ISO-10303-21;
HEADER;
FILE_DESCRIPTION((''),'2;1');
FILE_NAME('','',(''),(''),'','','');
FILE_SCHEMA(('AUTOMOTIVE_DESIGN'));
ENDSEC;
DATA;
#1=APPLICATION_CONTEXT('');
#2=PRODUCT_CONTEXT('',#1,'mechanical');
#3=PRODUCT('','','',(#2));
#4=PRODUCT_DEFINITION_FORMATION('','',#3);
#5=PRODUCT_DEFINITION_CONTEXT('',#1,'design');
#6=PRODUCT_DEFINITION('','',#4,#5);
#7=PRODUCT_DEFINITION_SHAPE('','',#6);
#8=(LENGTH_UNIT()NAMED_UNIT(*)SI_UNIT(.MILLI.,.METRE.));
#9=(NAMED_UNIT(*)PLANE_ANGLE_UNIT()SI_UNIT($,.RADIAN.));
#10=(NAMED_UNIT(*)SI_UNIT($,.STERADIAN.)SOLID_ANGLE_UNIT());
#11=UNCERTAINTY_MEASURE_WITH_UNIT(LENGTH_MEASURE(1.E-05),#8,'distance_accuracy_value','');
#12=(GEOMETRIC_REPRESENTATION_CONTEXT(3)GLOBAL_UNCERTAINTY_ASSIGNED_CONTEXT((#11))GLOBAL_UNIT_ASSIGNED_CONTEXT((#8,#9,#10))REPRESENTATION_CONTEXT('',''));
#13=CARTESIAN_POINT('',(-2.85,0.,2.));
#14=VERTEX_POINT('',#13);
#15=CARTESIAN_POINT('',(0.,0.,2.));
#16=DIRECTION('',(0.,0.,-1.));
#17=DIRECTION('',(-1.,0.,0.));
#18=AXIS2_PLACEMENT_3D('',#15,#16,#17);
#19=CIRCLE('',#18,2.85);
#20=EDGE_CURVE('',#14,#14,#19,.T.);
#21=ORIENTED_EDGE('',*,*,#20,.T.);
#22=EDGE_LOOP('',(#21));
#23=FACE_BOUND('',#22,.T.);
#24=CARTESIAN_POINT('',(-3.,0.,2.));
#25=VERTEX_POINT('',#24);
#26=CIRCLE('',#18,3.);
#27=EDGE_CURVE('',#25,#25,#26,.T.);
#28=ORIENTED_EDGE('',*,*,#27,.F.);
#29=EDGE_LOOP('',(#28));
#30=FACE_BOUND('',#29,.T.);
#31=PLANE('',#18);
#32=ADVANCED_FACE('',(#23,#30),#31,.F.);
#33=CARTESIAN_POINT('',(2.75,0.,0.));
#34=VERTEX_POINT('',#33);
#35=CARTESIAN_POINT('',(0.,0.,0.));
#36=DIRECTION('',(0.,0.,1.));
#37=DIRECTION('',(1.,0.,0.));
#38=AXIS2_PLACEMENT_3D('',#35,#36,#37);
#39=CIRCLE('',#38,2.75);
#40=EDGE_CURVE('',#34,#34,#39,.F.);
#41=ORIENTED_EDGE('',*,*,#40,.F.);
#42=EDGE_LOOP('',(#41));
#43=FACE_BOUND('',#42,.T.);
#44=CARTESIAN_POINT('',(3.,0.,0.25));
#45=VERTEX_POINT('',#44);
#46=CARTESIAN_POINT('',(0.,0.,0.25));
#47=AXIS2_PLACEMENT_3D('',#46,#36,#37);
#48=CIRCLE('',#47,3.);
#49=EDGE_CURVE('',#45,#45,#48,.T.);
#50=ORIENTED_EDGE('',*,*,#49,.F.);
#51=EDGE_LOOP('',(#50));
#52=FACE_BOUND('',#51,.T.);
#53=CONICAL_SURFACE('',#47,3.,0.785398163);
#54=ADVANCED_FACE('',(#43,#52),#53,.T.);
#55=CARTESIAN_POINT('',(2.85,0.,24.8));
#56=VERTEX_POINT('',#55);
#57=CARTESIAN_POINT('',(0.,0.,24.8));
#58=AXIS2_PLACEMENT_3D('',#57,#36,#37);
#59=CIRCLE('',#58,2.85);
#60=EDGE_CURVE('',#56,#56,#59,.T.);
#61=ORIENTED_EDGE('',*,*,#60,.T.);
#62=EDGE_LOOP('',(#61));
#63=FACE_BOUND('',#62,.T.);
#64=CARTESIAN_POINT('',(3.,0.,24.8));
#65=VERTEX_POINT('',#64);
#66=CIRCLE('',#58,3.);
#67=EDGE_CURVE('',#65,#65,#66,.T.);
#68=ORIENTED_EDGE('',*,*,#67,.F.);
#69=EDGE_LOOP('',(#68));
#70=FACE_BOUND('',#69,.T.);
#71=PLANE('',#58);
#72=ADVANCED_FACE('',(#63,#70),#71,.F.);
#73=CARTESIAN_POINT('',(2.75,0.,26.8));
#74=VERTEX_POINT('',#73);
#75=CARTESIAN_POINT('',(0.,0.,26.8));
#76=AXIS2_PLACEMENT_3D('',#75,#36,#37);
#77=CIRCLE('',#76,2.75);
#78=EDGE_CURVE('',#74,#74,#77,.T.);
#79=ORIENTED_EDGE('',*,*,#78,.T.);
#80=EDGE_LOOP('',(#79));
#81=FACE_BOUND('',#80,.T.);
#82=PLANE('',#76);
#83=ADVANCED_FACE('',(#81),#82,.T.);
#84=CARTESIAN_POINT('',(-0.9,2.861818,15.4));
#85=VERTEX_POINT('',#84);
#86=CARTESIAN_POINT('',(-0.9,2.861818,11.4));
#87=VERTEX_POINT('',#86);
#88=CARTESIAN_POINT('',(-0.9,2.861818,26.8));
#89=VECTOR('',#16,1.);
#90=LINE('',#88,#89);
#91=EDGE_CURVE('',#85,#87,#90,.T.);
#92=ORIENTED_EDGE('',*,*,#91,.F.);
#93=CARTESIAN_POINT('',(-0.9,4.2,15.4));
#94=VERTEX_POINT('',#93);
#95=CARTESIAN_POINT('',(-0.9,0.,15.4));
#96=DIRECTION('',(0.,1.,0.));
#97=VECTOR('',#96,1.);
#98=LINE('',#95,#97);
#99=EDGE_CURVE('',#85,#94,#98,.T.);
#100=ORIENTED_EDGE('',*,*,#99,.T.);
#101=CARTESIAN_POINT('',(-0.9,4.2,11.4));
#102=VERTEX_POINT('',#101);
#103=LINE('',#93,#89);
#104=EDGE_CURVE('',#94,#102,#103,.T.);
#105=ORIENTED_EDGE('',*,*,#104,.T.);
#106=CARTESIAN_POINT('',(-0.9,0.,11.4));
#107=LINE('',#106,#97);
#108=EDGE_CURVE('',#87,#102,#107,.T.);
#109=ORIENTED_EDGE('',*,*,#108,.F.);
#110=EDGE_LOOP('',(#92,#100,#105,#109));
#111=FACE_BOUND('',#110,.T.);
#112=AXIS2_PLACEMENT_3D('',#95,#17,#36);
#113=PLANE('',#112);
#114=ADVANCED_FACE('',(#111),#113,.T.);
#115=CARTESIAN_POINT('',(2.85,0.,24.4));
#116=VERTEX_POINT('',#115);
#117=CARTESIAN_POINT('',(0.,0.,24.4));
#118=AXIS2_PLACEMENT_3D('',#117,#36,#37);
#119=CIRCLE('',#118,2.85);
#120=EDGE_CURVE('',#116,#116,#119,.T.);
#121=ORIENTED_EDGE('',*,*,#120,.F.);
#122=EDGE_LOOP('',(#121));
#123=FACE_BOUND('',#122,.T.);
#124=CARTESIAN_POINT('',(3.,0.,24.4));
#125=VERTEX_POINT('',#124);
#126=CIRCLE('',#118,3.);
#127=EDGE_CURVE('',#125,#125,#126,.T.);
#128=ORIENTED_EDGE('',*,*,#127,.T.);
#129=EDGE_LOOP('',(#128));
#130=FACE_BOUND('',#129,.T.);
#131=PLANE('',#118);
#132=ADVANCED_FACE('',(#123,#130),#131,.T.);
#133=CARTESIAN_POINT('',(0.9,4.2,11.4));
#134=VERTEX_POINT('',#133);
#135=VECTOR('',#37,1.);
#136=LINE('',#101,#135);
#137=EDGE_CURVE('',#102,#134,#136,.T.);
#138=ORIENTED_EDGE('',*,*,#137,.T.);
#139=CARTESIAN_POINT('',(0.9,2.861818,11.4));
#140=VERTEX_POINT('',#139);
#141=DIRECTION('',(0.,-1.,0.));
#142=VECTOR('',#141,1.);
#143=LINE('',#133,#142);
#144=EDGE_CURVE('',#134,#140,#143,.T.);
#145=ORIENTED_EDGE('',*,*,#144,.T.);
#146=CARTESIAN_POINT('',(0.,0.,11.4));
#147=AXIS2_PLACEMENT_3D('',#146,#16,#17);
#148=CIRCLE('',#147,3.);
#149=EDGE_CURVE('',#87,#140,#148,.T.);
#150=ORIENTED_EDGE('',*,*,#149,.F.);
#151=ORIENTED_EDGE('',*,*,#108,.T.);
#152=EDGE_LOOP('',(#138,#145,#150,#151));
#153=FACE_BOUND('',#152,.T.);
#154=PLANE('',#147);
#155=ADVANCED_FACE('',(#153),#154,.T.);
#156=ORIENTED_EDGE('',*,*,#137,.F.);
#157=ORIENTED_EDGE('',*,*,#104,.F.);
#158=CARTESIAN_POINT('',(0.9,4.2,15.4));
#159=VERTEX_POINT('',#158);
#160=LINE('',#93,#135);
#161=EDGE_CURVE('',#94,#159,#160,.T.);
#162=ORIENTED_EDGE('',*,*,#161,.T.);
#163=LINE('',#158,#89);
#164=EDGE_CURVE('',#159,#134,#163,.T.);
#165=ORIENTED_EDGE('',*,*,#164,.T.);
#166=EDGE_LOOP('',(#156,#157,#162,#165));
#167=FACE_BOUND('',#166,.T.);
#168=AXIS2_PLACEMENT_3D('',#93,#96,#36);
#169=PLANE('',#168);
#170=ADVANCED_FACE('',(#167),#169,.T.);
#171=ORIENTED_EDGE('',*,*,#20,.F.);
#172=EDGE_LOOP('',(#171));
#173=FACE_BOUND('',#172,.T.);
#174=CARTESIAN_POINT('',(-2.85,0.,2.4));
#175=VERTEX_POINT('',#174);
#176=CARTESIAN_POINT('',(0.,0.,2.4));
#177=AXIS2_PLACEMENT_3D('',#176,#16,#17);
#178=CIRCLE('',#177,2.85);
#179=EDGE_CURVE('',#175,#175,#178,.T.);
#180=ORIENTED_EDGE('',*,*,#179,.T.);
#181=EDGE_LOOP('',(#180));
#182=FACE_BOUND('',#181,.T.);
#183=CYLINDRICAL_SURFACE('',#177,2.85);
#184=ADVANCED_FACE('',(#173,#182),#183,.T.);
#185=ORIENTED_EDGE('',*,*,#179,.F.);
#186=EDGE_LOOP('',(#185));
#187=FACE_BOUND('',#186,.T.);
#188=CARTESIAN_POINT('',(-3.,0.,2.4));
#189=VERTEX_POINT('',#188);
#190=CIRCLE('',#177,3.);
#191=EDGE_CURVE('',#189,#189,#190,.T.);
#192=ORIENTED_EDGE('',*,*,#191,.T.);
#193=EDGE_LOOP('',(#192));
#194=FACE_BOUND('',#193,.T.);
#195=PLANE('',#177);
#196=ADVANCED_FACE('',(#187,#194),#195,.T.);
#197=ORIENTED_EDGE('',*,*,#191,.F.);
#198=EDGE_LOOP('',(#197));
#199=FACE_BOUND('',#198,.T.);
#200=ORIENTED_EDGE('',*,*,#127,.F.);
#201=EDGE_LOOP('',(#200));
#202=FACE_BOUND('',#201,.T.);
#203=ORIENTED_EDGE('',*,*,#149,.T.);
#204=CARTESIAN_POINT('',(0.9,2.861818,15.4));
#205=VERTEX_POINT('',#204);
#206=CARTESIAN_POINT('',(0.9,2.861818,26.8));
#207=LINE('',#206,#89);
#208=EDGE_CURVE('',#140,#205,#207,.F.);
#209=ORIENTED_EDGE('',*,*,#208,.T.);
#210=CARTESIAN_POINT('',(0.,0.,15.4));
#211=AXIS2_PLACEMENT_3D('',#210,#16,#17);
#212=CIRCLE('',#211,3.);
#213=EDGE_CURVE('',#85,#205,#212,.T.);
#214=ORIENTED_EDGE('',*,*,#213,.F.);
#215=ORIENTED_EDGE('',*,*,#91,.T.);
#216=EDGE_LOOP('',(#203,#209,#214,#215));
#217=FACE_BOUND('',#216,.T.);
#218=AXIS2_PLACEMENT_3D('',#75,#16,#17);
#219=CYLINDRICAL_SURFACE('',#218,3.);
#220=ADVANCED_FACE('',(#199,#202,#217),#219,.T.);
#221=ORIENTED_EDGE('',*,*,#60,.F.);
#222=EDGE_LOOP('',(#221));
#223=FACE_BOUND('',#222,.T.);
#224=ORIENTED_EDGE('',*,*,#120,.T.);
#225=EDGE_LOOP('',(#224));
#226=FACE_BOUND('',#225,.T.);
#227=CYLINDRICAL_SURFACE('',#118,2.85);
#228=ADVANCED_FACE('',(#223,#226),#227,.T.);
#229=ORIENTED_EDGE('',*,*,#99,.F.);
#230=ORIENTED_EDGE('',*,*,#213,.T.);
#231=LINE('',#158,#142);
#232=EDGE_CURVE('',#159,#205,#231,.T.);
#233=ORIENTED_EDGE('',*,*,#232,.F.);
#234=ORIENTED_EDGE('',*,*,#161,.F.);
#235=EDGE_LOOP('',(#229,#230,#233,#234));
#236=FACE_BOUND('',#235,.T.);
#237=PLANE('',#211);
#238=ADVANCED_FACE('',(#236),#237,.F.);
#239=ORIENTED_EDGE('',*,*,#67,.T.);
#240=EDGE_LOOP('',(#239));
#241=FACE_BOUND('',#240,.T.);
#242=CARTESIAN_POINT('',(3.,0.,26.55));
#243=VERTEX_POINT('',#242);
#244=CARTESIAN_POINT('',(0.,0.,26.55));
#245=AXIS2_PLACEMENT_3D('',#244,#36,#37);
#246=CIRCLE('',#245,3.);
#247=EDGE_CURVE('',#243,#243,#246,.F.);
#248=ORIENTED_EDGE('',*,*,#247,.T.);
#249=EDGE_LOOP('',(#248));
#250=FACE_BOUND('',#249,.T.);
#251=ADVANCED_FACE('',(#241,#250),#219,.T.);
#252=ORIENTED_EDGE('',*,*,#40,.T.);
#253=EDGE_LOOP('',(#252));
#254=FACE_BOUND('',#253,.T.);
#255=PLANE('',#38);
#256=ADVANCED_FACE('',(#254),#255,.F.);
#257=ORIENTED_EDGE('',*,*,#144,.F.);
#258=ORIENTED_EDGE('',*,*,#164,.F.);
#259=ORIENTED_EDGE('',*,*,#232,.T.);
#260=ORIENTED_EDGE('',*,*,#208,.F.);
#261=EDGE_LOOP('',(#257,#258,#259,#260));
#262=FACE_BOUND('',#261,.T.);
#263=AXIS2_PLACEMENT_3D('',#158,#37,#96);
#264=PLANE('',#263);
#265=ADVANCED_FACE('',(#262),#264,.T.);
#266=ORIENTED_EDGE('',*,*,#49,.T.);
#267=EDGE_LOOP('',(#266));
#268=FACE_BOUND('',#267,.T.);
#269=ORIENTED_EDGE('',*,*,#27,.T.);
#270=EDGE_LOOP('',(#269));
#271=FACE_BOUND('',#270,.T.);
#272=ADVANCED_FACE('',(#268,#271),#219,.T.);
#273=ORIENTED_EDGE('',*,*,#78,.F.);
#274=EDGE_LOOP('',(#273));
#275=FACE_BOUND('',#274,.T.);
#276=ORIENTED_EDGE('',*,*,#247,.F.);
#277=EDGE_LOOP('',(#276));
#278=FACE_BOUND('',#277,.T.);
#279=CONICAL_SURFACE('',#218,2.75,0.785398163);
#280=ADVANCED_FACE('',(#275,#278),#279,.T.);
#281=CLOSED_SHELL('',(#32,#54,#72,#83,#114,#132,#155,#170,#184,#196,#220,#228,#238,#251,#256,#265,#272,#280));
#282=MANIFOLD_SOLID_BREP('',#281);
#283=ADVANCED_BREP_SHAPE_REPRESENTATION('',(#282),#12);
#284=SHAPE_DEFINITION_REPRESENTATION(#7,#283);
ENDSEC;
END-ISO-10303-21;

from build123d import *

# Parameters (mm, degrees)
SKETCH1_R           = 3
BOSS_EXTRUDE1_DEPTH = 26.8
BOSS_EXTRUDE2_START = -11.4
SKETCH2_W           = 1.8
SKETCH2_H           = 4.2
BOSS_EXTRUDE2_DEPTH = 4
CUT_EXTRUDE1_START  = -2
SKETCH3_R           = 3
SKETCH3_R_2         = 2.85
CUT_EXTRUDE1_DEPTH  = 0.4
CUT_EXTRUDE2_START  = -2.4
SKETCH4_R           = 3.000966843
SKETCH4_R_2         = 2.85
CUT_EXTRUDE2_DEPTH  = 0.4
CHAMFER1_SIZE       = 0.25


with BuildPart() as part:
    # Sketch1 → Boss-Extrude1 (new body)
    with BuildSketch(Plane.XY):
        Circle(SKETCH1_R)
    extrude(amount=BOSS_EXTRUDE1_DEPTH)

    # Sketch2 → Boss-Extrude2 (add)
    with BuildSketch(Plane(origin=(0, 0, 0), x_dir=(-1, 0, 0), z_dir=(0, 0, -1)).offset(BOSS_EXTRUDE2_START)):
        with Locations((0, 2.1)):
            Rectangle(SKETCH2_W, SKETCH2_H)
    extrude(amount=-BOSS_EXTRUDE2_DEPTH)

    # Sketch3 → Cut-Extrude1 (cut)
    with BuildSketch(Plane(origin=(0, 0, 0), x_dir=(-1, 0, 0), z_dir=(0, 0, -1)).offset(CUT_EXTRUDE1_START)):
        Circle(SKETCH3_R)
        Circle(SKETCH3_R_2, mode=Mode.SUBTRACT)
    extrude(amount=-CUT_EXTRUDE1_DEPTH, mode=Mode.SUBTRACT)

    # Sketch4 → Cut-Extrude2 (cut)
    with BuildSketch(Plane.XY.offset(26.8).offset(CUT_EXTRUDE2_START)):
        Circle(SKETCH4_R)
        with Locations(Location((0, 0, 0), (0, 0, 180))):
            Circle(SKETCH4_R_2, mode=Mode.SUBTRACT)
    extrude(amount=CUT_EXTRUDE2_DEPTH, mode=Mode.SUBTRACT)

    # Chamfer1
    chamfer1_edges = [part.edges().sort_by_distance(p)[0] for p in [
        (-3, 0, 0),
        (-3, 0, 26.8),
    ]]
    chamfer(chamfer1_edges, length=CHAMFER1_SIZE)


solid = part.part
